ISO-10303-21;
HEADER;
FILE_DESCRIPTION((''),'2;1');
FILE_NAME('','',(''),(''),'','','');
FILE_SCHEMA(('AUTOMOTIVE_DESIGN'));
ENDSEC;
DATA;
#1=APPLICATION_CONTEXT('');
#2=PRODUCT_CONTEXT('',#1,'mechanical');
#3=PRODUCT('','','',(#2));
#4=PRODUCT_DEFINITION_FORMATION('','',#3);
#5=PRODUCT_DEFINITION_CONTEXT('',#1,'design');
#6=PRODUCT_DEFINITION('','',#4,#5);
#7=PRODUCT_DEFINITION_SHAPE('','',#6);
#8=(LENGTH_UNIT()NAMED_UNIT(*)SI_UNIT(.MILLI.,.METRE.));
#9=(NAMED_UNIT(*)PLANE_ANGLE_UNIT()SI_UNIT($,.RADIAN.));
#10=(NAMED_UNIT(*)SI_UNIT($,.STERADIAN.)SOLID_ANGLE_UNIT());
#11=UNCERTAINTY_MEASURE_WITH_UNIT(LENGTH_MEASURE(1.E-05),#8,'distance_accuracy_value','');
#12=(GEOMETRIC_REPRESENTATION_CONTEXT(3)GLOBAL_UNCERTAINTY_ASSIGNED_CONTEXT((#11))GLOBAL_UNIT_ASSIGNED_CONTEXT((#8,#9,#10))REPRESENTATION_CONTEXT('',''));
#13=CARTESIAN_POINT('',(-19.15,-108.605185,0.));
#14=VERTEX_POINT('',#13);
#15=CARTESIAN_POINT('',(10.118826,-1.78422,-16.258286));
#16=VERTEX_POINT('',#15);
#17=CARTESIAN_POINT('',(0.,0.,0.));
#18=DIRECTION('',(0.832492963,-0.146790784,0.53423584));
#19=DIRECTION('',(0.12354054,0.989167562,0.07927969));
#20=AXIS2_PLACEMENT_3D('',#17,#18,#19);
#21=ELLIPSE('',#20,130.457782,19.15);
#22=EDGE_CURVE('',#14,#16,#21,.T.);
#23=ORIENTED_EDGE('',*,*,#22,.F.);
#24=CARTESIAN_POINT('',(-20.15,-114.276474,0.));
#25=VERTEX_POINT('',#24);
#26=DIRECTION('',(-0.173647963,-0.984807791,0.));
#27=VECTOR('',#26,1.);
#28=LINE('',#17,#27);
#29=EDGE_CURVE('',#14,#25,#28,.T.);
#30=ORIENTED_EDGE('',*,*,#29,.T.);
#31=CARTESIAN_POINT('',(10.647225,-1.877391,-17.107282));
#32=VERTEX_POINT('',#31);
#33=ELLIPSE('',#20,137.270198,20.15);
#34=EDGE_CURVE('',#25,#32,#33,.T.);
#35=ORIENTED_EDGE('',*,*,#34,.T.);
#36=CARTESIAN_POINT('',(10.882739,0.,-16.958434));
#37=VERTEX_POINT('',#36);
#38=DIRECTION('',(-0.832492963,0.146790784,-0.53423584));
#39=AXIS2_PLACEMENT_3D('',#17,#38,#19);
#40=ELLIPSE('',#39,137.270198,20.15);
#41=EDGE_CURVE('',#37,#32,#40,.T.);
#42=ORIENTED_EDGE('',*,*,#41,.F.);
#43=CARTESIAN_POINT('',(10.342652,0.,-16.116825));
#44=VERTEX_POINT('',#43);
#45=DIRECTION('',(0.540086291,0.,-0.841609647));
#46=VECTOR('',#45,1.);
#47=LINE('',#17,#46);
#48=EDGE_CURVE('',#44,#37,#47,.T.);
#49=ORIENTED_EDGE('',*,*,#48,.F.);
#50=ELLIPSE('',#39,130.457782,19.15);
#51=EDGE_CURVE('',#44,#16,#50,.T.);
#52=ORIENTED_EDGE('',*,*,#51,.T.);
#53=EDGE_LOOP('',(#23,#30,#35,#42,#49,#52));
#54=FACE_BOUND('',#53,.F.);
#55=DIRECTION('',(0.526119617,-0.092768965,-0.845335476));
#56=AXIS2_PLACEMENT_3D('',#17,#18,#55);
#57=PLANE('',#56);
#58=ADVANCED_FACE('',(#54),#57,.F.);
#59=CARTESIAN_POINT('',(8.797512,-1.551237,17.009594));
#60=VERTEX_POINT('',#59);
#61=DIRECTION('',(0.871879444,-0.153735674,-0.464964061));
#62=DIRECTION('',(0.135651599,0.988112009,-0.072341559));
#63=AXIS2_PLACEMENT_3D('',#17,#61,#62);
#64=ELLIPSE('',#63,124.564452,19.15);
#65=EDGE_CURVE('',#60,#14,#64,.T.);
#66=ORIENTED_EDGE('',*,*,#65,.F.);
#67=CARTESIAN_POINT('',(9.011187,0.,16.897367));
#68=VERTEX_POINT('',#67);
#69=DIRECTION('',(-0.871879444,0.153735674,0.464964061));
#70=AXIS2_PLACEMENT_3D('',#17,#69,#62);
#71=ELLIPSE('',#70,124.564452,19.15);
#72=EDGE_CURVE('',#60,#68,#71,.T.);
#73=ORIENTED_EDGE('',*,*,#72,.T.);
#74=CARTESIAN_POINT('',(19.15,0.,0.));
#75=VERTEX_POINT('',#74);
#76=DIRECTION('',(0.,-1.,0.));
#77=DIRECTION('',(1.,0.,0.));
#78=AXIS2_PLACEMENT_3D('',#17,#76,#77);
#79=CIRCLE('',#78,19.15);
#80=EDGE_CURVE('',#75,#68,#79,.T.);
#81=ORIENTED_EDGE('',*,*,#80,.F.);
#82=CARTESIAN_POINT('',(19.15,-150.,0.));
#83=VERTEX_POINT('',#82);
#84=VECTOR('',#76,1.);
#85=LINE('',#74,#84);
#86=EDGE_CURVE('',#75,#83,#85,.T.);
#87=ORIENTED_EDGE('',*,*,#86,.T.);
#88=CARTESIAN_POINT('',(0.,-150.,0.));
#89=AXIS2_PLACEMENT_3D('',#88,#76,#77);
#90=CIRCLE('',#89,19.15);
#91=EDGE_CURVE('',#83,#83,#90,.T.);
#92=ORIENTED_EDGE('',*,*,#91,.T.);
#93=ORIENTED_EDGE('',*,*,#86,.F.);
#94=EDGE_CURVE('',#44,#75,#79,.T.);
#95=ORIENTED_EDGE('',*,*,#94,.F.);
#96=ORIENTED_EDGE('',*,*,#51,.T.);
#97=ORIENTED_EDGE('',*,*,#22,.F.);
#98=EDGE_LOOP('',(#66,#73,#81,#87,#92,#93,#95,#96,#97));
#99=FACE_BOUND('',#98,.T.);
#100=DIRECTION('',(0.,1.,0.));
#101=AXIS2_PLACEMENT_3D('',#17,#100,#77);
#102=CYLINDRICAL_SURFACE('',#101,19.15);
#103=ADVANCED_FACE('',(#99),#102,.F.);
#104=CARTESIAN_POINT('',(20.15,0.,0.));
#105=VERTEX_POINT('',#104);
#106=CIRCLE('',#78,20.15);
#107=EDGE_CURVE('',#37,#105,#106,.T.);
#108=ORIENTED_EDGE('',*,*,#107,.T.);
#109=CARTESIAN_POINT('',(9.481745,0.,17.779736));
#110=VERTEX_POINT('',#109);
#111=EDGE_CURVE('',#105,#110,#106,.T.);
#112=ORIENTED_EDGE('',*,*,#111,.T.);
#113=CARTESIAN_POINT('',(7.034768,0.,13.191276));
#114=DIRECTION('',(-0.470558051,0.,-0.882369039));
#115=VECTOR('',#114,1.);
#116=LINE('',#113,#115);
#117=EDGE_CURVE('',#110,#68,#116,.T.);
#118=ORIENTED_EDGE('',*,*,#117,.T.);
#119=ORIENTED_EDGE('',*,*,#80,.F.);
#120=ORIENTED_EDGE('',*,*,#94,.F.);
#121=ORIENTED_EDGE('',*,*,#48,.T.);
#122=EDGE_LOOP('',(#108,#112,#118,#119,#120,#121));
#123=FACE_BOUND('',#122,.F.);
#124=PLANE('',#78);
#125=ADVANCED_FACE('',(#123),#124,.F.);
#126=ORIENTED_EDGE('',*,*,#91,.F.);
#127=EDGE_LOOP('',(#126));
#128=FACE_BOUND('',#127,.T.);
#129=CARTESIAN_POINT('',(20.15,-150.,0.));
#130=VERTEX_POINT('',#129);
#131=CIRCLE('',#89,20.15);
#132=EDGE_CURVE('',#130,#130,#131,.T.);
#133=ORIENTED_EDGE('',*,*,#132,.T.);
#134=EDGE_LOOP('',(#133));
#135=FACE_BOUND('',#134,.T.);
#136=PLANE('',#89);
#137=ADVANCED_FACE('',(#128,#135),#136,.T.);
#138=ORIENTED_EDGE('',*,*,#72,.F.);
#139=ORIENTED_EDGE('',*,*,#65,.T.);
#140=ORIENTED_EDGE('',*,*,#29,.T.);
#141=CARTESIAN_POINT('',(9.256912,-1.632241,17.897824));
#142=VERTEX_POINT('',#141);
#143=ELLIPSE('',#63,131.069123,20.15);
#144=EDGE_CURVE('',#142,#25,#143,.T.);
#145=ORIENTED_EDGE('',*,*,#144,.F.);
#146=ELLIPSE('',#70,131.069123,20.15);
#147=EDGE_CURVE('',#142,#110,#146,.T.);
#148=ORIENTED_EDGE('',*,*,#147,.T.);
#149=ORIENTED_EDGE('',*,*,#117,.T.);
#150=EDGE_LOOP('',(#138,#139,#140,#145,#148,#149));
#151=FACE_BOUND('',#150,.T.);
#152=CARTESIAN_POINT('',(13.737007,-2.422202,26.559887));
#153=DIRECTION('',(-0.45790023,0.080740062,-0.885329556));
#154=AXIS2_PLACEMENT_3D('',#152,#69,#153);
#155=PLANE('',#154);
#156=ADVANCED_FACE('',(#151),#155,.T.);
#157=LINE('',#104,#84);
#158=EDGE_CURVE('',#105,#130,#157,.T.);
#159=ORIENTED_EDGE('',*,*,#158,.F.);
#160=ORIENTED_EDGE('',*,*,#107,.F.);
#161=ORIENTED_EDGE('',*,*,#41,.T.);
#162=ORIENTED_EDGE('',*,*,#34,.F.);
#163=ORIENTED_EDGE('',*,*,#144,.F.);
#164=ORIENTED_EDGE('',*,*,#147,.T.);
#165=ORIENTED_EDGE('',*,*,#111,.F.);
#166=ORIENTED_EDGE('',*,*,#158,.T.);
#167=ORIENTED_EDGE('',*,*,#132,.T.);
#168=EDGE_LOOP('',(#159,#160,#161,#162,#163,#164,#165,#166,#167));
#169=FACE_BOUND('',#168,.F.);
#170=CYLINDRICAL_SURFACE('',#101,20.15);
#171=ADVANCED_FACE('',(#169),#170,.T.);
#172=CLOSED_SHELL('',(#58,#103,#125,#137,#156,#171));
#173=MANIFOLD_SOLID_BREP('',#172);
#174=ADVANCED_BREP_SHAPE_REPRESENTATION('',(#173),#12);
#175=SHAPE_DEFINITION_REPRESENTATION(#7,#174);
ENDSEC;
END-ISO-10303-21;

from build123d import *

# Parameters (mm, degrees)
F0_R     = 20.15
F0_R_2   = 19.15
F1_DEPTH = 150
F4_DEPTH = 151.221174
F5_DEPTH = 3.500011


with BuildPart() as f1:
    # F0 (on Front) → F1 (new body)
    with BuildSketch(Plane.XZ):
        Circle(F0_R)
        Circle(F0_R_2, mode=Mode.SUBTRACT)
    extrude(amount=F1_DEPTH)

    # F3 (on face) → F4 (cut, through all)
    with BuildSketch(Plane(origin=(0, 0, 0), x_dir=(-0.984808, 0.173648, 0), z_dir=(0.173648, 0.984808, 0))):
        with BuildLine():
            Line((0, 0), (-16.027075, -25.360064))
            ThreePointArc((-16.027075, -25.360064), (29.975998, -1.199822), (-13.948922, 26.559887))
            Line((-13.948922, 26.559887), (0, 0))
        make_face()
    extrude(amount=-F4_DEPTH, mode=Mode.SUBTRACT)

    # F3 (on face) → F5 (cut, through all)
    with BuildSketch(Plane(origin=(0, 0, 0), x_dir=(-0.984808, 0.173648, 0), z_dir=(0.173648, 0.984808, 0))):
        with BuildLine():
            Line((0, 0), (-16.027075, -25.360064))
            ThreePointArc((-16.027075, -25.360064), (29.975998, -1.199822), (-13.948922, 26.559887))
            Line((-13.948922, 26.559887), (0, 0))
        make_face()
    extrude(amount=F5_DEPTH, mode=Mode.SUBTRACT)


solid = f1.part
